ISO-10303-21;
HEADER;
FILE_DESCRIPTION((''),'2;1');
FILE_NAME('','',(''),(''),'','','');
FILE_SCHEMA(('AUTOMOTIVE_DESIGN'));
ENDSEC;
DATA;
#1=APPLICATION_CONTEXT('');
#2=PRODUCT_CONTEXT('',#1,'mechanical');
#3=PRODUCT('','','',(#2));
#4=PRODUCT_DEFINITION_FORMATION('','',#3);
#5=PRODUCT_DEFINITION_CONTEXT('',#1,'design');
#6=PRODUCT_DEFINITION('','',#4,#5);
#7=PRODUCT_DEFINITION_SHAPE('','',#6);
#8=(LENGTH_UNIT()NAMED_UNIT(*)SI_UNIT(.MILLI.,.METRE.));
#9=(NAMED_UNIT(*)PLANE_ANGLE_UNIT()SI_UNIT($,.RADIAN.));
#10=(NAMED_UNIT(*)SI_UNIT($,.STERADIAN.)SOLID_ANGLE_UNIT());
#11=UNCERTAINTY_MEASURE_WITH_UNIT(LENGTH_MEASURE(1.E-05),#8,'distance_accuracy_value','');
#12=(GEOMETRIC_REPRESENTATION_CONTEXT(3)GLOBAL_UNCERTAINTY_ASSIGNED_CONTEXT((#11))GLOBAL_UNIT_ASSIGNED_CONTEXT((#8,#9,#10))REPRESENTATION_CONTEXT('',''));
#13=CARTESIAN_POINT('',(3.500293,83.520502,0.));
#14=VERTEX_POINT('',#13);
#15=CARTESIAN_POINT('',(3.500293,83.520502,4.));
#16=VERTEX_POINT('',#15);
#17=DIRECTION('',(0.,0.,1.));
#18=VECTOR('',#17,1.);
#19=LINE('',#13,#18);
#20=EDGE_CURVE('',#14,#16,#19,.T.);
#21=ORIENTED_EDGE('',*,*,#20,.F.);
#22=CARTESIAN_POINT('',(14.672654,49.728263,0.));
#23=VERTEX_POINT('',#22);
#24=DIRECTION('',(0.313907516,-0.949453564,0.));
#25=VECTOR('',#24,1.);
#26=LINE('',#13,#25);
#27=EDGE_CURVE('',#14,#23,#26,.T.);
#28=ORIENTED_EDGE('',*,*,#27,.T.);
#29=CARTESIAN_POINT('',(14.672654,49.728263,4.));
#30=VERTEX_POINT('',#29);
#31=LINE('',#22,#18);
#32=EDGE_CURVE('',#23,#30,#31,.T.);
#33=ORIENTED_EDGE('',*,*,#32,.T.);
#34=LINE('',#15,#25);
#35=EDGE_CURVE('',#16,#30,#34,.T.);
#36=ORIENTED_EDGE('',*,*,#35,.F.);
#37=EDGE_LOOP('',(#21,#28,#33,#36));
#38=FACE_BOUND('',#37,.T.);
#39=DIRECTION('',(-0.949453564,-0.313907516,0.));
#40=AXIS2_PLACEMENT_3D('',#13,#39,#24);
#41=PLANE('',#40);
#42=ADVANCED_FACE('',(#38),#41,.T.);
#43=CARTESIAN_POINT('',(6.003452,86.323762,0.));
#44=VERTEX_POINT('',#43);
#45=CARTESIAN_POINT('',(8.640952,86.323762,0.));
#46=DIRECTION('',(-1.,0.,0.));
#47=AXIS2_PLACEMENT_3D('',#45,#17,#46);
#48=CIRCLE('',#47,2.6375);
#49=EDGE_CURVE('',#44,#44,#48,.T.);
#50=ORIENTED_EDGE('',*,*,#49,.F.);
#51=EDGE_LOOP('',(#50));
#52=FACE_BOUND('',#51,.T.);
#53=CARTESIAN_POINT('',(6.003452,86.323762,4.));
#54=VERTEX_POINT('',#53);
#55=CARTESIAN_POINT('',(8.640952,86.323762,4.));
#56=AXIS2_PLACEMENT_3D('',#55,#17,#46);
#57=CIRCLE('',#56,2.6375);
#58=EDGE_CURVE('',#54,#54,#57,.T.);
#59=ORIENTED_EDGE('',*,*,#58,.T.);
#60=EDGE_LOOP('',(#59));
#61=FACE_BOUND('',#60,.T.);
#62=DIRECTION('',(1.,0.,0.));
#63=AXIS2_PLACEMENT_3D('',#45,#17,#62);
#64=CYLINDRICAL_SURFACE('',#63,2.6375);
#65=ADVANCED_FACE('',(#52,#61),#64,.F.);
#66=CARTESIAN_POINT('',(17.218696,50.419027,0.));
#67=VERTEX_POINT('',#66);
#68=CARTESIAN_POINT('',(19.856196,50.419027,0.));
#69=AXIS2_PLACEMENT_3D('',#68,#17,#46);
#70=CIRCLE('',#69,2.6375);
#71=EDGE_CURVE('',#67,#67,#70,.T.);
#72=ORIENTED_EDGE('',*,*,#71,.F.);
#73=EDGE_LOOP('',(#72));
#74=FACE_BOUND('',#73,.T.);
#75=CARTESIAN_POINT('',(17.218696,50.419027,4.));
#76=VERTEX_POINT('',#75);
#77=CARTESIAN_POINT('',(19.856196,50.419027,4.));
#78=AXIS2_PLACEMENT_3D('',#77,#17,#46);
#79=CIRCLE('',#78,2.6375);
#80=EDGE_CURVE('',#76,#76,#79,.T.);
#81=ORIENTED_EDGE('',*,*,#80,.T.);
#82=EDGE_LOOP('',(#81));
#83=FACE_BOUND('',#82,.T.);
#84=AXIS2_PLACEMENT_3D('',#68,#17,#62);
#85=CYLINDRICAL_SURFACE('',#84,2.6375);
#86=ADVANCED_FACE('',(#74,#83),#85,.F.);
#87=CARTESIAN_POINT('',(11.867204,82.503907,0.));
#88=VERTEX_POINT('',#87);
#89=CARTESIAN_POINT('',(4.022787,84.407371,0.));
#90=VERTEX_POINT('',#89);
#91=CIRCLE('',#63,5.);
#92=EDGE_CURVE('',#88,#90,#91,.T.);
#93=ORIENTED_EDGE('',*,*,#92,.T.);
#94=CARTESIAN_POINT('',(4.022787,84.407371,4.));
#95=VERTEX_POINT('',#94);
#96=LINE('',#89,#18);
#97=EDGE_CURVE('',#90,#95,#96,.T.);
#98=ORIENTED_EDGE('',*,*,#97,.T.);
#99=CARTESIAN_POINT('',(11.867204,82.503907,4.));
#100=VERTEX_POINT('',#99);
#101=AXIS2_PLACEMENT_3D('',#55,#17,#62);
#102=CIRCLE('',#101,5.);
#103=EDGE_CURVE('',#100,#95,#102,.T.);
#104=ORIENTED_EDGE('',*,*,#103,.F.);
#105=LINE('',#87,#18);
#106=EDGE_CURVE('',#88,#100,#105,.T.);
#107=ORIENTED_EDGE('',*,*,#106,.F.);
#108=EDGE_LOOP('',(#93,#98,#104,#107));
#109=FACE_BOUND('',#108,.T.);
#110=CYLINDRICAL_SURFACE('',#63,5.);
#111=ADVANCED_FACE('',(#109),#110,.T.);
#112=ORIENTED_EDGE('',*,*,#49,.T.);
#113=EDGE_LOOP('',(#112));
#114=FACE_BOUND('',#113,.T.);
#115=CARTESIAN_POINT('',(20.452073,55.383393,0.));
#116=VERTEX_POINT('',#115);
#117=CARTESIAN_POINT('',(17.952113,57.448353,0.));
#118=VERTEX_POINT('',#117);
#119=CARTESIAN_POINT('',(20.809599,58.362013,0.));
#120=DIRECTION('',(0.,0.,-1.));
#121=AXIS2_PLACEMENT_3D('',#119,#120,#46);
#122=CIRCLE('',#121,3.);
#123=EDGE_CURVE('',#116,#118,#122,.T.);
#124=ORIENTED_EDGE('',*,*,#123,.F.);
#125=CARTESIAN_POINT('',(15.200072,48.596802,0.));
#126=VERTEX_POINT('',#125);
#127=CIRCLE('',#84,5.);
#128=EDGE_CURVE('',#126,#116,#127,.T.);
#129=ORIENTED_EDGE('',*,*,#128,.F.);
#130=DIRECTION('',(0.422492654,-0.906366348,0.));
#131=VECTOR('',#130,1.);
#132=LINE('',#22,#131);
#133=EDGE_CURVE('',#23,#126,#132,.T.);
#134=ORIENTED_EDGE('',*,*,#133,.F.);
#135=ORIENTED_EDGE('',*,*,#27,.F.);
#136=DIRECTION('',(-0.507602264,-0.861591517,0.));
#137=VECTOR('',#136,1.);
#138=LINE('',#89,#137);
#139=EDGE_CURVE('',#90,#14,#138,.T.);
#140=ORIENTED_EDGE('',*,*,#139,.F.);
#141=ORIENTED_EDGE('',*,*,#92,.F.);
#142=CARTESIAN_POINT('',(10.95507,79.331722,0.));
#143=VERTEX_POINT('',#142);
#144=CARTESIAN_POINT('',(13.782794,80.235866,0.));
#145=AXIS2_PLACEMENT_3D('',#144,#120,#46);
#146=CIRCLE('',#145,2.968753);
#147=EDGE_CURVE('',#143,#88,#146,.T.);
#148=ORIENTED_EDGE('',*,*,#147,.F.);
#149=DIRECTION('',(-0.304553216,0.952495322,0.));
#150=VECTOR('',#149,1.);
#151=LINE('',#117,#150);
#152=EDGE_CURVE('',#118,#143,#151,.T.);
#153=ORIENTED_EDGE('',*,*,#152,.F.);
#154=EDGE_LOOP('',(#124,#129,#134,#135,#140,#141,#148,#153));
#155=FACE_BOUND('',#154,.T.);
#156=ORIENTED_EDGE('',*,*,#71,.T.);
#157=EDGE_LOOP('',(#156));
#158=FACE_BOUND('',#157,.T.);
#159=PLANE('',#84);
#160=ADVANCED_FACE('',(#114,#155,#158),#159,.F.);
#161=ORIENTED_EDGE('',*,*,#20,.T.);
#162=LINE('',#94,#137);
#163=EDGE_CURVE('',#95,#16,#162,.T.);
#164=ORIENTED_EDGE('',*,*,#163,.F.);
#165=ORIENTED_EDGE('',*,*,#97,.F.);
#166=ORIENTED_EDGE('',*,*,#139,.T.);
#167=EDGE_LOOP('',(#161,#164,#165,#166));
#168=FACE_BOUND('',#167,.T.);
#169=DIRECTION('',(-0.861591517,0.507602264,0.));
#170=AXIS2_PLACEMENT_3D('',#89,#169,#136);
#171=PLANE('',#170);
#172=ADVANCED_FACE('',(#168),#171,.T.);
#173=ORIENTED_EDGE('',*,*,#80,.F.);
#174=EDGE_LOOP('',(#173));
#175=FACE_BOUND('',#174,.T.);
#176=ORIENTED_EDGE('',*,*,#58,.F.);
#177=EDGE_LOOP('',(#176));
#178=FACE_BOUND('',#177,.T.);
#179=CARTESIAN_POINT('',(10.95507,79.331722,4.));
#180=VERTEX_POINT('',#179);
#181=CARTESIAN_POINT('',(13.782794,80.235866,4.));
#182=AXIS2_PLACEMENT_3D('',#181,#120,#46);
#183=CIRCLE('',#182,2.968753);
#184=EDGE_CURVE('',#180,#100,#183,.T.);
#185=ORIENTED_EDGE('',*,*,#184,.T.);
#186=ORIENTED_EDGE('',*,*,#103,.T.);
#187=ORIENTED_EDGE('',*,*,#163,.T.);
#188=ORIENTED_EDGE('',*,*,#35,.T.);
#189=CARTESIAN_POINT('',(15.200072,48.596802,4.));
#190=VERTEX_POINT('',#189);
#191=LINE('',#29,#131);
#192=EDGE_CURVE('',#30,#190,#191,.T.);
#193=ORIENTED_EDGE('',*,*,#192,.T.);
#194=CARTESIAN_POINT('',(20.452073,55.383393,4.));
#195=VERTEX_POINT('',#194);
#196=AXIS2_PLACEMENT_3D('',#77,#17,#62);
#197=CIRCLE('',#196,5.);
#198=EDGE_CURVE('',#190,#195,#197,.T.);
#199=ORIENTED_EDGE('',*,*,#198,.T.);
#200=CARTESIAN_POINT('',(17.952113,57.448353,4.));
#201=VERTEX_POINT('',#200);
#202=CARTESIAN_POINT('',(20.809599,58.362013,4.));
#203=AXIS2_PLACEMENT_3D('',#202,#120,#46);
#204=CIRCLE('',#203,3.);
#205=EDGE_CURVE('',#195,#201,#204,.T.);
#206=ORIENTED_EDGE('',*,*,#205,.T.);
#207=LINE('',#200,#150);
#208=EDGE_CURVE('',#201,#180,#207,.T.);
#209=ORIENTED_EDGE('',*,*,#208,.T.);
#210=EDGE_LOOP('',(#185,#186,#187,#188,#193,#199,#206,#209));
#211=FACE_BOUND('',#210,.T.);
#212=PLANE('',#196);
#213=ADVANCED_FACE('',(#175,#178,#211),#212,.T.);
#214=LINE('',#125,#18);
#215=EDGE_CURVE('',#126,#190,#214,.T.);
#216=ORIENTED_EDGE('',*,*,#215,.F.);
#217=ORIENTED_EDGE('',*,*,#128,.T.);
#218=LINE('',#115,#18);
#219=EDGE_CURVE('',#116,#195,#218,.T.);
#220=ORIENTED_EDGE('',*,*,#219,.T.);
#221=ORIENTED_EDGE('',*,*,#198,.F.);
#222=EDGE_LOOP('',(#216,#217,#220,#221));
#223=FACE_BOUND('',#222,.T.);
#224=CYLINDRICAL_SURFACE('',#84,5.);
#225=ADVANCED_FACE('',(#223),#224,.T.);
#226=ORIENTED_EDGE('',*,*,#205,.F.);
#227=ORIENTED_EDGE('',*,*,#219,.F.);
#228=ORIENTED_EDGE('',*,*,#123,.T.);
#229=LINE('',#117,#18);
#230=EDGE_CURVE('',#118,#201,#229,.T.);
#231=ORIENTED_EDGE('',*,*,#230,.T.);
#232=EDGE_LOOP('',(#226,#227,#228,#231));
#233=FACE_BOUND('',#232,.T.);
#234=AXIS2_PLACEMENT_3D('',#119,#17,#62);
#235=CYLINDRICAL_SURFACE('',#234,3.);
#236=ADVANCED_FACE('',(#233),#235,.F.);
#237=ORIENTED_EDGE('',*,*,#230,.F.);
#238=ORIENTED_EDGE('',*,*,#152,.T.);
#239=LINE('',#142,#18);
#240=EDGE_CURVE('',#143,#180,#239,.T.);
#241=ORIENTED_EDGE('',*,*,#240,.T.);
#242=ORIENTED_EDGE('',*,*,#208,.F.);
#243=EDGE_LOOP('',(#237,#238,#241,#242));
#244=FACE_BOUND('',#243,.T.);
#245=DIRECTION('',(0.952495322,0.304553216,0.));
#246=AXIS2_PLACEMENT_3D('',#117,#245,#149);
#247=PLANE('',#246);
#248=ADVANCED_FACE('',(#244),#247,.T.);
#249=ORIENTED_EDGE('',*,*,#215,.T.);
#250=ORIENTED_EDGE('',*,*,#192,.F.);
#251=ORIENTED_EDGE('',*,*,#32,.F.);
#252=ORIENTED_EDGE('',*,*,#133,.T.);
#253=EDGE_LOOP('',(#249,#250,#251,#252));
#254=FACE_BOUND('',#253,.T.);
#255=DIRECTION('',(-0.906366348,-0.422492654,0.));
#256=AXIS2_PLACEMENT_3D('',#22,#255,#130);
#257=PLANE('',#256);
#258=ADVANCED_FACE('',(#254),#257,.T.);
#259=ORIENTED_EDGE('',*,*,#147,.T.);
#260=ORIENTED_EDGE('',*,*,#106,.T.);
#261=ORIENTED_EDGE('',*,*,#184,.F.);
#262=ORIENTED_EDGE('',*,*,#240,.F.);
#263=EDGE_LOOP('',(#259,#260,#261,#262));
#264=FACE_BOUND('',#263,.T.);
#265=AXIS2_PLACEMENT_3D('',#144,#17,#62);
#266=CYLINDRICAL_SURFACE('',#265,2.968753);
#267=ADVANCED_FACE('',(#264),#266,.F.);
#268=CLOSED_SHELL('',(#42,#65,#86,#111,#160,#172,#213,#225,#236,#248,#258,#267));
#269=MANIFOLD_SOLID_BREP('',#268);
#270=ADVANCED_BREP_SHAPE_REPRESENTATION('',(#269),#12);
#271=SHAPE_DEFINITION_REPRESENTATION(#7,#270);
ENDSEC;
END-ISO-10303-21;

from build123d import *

# Parameters (mm, degrees)
SKETCH1_R           = 2.6375
BOSS_EXTRUDE1_DEPTH = 4


with BuildPart() as part:
    # Sketch1 → Boss-Extrude1 (new body)
    with BuildSketch(Plane.XY.offset(4)):
        with BuildLine():
            Line((17.952113198, 57.448352953), (10.955070442, 79.331722279))
            ThreePointArc((10.955070442, 79.331722279), (10.929647665, 81.056262686), (11.867204342, 82.503906776))
            ThreePointArc((11.867204342, 82.503906776), (9.81999759, 91.182758949), (4.022786968, 84.407371171))
            Line((4.022786968, 84.407371171), (3.500292698, 83.52050233))
            Line((3.500292698, 83.52050233), (14.672653681, 49.728262883))
            Line((14.672653681, 49.728262883), (15.200071751, 48.596801815))
            ThreePointArc((15.200071751, 48.596801815), (23.810416572, 47.35893823), (20.452073098, 55.383392934))
            ThreePointArc((20.452073098, 55.383392934), (18.899078146, 56.049025475), (17.952113198, 57.448352953))
        make_face()
        with Locations((19.856196321, 50.419026825)):
            Circle(SKETCH1_R, mode=Mode.SUBTRACT)
        with Locations((8.640951758, 86.323762043)):
            Circle(SKETCH1_R, mode=Mode.SUBTRACT)
    extrude(amount=-BOSS_EXTRUDE1_DEPTH)


solid = part.part
